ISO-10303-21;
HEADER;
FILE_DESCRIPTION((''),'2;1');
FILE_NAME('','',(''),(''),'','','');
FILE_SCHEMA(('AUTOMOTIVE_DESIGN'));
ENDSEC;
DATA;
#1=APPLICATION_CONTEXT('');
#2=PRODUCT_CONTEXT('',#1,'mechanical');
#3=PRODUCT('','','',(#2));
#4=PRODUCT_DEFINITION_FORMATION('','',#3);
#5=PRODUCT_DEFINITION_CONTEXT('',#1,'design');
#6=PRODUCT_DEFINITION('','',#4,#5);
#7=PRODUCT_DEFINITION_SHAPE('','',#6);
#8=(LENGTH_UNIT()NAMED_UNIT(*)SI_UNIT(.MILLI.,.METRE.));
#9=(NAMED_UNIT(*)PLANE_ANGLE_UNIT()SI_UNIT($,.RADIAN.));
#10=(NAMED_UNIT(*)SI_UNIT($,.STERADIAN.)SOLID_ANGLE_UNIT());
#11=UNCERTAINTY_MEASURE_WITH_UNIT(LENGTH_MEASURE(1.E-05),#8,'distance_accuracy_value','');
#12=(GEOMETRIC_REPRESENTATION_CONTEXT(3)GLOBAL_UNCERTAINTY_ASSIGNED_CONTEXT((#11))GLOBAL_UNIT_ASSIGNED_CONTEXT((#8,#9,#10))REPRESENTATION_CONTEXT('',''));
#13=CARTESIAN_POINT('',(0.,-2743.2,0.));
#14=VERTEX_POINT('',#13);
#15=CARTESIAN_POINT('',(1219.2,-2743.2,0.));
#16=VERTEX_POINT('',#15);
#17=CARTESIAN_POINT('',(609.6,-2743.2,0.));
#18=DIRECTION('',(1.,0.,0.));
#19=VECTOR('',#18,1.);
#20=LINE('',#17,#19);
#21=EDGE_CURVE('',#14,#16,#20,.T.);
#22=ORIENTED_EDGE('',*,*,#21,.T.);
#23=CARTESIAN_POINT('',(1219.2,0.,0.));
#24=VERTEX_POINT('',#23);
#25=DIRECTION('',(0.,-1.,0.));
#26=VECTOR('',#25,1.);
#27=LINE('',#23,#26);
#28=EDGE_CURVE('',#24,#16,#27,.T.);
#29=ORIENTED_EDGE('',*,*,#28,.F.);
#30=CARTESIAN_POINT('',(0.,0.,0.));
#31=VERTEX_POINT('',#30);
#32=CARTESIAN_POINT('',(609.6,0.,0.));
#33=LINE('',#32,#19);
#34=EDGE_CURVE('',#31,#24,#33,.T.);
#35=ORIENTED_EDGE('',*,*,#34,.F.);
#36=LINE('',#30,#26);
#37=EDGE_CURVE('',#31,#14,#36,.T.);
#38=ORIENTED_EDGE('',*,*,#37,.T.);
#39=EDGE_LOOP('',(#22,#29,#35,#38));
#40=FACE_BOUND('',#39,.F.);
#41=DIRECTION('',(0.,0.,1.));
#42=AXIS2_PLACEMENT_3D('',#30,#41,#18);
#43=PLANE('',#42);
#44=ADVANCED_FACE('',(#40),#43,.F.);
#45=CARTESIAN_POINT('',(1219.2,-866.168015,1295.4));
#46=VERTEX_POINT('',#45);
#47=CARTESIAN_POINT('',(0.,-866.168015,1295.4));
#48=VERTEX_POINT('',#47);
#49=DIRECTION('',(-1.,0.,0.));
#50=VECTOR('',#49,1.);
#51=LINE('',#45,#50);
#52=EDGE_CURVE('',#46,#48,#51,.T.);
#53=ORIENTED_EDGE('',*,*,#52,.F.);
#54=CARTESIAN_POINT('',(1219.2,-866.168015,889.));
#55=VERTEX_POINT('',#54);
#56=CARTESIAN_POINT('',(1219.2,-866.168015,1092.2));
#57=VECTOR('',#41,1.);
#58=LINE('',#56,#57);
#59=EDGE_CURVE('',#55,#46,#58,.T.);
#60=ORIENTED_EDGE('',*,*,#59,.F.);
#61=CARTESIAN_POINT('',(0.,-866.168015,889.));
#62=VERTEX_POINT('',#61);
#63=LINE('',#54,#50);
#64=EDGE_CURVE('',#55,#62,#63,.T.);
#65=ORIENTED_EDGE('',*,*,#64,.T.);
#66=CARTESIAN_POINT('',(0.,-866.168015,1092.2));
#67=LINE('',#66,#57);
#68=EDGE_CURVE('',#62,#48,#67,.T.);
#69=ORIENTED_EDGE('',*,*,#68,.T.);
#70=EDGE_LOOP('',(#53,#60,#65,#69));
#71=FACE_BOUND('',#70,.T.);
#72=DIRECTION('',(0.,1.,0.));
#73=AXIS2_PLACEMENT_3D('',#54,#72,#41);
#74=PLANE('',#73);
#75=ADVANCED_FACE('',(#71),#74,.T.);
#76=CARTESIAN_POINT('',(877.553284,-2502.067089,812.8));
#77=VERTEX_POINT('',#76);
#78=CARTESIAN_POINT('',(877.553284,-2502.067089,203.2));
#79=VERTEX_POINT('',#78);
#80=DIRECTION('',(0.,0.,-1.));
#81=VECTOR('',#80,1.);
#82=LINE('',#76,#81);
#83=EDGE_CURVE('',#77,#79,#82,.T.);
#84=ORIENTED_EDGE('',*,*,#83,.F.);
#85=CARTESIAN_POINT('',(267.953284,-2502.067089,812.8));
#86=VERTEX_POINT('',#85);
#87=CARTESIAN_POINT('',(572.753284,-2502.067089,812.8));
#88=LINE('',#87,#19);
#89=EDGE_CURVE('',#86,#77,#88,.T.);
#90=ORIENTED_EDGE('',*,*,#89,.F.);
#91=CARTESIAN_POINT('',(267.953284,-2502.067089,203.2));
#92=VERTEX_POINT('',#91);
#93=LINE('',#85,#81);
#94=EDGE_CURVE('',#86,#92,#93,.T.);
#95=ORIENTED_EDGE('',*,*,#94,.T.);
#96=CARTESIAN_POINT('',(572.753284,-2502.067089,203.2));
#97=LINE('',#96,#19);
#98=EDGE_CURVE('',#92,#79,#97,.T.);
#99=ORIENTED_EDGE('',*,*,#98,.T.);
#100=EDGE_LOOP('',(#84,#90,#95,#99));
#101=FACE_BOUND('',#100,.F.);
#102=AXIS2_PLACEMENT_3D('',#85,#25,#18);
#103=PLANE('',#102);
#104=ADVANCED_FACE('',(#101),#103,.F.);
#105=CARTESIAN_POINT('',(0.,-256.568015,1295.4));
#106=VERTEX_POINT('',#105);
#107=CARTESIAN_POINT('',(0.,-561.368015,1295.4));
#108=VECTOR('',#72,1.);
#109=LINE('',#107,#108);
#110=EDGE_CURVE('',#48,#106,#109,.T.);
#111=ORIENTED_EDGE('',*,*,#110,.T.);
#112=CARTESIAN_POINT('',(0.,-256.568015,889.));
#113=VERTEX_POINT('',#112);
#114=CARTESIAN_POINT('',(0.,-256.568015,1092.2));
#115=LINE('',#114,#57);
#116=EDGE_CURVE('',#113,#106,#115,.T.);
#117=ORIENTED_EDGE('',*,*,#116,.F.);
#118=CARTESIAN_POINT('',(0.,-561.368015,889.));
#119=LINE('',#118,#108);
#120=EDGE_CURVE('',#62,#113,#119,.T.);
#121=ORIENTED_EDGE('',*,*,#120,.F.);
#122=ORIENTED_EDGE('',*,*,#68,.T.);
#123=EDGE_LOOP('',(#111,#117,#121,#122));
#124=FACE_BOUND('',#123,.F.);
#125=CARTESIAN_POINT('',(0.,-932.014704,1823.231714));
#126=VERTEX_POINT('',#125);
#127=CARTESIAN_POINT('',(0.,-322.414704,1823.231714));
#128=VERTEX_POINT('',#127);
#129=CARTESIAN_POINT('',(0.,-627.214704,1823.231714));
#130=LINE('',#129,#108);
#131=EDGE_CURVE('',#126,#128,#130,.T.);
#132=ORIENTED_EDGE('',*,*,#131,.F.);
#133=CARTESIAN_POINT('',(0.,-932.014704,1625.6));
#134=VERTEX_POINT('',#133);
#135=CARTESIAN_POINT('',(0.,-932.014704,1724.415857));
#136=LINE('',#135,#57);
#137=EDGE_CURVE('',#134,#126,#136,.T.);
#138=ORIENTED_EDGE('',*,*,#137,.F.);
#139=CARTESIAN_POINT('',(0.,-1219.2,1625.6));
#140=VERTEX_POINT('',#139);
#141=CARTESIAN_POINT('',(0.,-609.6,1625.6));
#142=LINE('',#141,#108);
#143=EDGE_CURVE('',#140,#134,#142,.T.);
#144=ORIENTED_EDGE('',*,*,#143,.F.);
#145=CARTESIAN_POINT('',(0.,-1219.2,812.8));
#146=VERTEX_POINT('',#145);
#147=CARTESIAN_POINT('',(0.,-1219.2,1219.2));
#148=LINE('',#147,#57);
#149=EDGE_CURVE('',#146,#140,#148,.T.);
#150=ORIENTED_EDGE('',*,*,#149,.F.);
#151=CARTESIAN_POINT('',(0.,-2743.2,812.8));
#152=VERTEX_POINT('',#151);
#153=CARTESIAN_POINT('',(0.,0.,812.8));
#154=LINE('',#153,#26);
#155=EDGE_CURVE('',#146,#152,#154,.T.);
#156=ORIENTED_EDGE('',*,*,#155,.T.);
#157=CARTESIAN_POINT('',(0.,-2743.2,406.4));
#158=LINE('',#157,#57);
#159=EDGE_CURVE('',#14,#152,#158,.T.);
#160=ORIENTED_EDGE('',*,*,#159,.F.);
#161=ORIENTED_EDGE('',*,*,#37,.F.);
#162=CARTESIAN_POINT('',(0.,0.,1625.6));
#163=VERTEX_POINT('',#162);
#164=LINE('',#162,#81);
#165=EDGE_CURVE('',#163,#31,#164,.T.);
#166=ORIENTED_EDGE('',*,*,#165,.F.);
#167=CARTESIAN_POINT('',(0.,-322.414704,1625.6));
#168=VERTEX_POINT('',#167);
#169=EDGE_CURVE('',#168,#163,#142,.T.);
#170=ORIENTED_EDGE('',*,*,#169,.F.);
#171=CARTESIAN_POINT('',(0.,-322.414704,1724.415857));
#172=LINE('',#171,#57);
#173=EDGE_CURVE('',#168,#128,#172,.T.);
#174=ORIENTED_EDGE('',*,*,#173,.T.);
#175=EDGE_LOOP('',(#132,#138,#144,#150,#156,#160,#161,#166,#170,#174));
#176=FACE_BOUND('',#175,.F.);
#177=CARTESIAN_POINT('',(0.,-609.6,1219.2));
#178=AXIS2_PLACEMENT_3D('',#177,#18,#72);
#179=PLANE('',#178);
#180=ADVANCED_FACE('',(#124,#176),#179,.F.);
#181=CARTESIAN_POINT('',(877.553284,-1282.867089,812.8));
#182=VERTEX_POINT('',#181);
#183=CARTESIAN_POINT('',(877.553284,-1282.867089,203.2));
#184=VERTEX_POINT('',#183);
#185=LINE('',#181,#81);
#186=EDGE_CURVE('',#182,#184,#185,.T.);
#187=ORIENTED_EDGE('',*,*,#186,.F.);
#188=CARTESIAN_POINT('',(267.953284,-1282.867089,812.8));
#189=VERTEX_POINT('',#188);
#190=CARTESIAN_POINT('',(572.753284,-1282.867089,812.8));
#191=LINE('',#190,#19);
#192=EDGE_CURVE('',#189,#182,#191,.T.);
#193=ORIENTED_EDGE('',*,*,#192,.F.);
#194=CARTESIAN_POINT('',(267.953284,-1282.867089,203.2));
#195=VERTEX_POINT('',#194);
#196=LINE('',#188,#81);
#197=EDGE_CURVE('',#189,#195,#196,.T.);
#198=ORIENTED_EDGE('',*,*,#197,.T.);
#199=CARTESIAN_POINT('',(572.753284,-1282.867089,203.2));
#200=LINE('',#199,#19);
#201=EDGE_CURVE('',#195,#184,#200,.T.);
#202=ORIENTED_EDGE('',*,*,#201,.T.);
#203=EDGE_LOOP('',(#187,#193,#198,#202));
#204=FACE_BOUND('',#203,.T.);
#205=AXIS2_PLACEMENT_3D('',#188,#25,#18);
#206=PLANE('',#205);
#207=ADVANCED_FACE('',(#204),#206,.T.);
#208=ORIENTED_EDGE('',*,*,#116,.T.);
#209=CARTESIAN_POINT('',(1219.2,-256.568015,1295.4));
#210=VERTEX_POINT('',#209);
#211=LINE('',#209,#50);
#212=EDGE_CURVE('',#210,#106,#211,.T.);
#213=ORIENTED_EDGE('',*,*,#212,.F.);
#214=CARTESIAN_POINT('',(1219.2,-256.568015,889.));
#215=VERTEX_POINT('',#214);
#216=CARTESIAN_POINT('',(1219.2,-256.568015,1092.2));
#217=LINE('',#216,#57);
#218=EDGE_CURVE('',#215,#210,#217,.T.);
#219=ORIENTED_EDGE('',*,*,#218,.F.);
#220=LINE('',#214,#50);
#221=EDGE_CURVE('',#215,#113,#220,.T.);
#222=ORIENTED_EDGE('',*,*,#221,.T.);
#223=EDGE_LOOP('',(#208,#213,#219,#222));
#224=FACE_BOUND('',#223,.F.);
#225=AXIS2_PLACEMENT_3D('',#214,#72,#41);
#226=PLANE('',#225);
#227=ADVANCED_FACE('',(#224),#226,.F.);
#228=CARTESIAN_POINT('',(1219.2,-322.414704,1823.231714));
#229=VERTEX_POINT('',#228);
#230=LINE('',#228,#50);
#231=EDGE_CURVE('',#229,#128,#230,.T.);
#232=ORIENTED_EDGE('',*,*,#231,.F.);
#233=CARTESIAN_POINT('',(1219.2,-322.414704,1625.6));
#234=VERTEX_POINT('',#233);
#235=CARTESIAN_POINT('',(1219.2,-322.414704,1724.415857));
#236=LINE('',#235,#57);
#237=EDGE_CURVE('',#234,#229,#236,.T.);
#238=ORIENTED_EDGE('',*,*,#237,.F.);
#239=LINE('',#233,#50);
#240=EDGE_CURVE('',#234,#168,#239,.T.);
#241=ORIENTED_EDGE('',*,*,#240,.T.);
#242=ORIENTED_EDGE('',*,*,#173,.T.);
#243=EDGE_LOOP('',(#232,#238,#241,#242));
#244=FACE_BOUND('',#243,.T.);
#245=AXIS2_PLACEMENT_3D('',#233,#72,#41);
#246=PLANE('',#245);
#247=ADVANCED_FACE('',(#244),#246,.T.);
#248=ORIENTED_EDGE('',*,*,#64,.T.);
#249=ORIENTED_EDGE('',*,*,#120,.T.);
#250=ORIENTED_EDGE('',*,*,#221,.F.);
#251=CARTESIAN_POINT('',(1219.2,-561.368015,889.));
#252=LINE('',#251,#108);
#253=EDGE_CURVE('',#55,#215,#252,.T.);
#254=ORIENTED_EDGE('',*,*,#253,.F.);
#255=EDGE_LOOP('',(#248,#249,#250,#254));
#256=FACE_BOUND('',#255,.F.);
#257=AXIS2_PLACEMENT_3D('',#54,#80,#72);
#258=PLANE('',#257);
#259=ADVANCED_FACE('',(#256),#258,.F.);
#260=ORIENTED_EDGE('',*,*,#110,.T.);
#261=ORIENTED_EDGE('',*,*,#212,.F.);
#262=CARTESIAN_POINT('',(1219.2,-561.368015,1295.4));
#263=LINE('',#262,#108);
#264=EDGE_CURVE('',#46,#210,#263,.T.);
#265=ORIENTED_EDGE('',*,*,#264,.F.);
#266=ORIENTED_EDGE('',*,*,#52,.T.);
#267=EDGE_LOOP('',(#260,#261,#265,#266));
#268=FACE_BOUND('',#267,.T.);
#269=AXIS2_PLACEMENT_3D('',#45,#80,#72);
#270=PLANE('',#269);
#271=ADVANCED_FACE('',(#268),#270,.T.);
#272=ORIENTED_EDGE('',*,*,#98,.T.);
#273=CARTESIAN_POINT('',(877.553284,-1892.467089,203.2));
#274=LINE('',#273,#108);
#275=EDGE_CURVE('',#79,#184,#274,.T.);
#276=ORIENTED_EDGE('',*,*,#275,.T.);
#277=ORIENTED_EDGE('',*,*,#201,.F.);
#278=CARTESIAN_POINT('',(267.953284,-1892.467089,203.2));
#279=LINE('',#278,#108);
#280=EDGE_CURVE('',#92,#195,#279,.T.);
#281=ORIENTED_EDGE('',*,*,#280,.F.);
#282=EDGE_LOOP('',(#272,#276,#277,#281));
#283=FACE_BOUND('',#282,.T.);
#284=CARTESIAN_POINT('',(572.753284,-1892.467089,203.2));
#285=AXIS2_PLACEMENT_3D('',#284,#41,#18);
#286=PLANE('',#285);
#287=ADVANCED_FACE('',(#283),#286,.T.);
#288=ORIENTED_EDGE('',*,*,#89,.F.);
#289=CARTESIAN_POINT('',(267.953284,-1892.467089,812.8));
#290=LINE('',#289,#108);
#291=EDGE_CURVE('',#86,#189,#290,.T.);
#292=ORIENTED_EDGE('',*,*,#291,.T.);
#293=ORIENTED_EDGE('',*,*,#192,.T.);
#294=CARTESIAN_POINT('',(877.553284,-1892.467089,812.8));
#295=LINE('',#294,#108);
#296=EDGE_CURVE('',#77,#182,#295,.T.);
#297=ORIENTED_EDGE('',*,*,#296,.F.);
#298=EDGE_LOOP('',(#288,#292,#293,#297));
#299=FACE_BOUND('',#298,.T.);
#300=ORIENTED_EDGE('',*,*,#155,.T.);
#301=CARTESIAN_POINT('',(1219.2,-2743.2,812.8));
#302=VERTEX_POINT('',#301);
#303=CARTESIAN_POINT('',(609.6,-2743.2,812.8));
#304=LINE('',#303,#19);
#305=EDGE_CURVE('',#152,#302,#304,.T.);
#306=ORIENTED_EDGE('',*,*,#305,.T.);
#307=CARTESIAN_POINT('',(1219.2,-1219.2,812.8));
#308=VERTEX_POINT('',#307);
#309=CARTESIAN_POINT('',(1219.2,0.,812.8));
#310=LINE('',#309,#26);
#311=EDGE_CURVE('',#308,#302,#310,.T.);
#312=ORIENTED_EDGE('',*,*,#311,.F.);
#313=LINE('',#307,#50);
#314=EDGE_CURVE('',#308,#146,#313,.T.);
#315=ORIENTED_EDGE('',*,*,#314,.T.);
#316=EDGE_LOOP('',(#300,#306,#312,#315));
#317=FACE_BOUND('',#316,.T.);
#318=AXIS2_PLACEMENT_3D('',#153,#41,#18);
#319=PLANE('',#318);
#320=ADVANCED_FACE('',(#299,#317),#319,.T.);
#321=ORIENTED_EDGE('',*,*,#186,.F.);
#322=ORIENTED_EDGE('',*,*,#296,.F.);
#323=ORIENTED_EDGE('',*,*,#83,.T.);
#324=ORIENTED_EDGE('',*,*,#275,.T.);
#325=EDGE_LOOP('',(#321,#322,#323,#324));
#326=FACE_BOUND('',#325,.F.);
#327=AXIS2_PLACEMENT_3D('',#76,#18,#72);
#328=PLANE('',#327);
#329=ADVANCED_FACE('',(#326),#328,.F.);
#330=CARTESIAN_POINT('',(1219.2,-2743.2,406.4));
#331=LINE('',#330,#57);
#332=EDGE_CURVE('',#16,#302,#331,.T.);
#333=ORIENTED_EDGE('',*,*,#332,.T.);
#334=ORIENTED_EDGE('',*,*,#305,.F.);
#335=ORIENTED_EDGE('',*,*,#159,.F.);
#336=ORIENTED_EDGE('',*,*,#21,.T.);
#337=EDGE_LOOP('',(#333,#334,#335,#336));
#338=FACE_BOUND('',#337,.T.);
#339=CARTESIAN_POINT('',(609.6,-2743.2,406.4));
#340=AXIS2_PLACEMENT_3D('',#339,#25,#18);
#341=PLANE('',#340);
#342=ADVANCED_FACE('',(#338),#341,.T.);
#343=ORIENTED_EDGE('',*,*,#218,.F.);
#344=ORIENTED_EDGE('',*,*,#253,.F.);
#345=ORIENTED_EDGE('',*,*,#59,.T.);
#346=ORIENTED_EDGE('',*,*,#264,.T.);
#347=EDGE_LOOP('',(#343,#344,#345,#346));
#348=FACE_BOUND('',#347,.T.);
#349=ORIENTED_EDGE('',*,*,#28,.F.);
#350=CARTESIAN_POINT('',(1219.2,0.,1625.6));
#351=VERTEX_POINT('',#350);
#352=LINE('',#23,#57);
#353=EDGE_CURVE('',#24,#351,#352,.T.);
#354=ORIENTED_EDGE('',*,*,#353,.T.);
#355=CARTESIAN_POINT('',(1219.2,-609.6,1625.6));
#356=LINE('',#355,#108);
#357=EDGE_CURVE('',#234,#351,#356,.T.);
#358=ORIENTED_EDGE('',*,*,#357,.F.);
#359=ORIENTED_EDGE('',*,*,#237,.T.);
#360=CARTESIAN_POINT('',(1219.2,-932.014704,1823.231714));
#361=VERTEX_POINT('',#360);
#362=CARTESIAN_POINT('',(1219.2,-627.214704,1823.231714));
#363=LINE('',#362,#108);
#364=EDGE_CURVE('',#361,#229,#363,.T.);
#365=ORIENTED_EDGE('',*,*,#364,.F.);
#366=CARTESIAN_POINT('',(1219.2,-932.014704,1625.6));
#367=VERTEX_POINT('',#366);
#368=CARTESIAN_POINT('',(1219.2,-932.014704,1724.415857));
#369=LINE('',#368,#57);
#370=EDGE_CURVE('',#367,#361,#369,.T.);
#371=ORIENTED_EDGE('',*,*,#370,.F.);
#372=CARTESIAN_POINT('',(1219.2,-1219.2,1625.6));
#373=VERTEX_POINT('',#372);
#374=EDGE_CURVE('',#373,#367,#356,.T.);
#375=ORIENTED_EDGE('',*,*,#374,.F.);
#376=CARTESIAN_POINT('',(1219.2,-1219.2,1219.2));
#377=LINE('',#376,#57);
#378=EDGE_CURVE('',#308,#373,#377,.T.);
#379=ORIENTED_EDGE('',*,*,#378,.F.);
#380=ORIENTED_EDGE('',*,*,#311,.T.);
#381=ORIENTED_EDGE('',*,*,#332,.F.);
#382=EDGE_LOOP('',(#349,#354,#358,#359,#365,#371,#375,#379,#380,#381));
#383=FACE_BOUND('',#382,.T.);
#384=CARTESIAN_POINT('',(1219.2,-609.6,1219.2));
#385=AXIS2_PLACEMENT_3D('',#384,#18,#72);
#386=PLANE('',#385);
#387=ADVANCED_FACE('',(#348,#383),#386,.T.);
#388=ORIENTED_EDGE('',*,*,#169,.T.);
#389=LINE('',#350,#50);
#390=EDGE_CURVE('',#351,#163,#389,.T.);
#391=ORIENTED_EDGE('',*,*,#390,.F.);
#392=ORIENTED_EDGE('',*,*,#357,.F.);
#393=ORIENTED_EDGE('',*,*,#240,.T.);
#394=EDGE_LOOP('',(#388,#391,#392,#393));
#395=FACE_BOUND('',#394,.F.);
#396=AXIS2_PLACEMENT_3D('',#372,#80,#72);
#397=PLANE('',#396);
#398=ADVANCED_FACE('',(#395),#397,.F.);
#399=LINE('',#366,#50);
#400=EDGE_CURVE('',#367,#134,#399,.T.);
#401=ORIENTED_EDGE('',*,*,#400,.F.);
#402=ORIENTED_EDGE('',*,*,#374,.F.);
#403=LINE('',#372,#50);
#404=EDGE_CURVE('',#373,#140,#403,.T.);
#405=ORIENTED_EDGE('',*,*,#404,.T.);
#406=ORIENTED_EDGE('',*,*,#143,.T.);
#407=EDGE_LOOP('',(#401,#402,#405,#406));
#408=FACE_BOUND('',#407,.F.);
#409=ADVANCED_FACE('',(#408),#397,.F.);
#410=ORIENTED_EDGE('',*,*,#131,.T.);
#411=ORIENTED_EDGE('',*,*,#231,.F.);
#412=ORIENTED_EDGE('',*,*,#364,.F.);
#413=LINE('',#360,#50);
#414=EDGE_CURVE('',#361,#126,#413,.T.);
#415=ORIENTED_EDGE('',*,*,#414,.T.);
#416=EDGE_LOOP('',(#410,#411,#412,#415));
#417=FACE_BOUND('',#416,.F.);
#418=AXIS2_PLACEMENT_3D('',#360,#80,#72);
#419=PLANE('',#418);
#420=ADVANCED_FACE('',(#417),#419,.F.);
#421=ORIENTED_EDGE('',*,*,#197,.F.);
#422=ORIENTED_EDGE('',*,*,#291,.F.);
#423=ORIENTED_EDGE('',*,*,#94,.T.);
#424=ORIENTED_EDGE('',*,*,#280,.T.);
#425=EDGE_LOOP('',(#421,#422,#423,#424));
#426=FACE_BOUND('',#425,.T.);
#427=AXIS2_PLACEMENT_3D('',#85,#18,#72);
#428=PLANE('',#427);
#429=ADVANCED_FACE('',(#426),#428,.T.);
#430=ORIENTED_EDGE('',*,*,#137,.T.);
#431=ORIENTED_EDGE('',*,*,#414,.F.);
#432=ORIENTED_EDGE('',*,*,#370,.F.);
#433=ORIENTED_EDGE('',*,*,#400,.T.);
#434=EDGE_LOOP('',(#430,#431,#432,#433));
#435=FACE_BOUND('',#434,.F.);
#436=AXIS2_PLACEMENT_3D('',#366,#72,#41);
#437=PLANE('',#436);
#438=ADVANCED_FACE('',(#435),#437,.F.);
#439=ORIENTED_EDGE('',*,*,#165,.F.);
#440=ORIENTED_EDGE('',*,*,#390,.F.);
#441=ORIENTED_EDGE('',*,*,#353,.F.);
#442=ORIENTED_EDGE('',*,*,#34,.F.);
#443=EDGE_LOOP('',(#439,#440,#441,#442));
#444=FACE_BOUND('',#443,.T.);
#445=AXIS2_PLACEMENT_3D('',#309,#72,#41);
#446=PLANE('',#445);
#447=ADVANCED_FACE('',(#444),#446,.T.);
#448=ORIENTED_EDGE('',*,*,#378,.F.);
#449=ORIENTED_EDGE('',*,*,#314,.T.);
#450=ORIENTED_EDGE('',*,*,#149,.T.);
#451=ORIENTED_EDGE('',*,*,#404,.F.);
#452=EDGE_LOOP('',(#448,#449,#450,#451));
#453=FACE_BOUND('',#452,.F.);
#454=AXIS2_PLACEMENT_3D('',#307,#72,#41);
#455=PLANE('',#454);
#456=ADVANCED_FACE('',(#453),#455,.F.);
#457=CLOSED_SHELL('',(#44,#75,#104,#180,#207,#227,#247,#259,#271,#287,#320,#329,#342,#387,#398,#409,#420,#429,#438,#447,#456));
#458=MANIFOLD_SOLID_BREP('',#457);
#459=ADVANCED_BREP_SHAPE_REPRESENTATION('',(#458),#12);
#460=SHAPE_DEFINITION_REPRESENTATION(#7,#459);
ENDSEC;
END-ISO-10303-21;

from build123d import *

# Parameters (mm, degrees)
F0_W      = 1219.2
F0_H      = 812.8
F1_DEPTH  = 2743.2
F2_W      = 1219.2
F2_H      = 812.8
F3_DEPTH  = 1219.2
F5_W      = 609.6
F5_H      = 197.6317144394
F6_DEPTH  = 1219.2
F7_W      = 609.6
F7_H      = 406.4
F8_DEPTH  = 1219.2
F9_W      = 609.6
F9_H      = 1219.2
F10_DEPTH = 609.6


with BuildPart() as f1:
    # F0 (on Front) → F1 (new body)
    with BuildSketch(Plane.XZ):
        with Locations((609.6, 406.4)):
            Rectangle(F0_W, F0_H)
    extrude(amount=F1_DEPTH)

    # F2 (on face) → F3 (join)
    with BuildSketch(Plane.YZ.offset(1219.2)):
        with Locations((-609.6, 1219.2)):
            Rectangle(F2_W, F2_H)
    extrude(amount=-F3_DEPTH)

    # F5 (on face) → F6 (join)
    with BuildSketch(Plane.YZ.offset(1219.2)):
        with Locations((-627.2147037506, 1724.4158572197)):
            Rectangle(F5_W, F5_H)
    extrude(amount=-F6_DEPTH)

    # F7 (on face) → F8 (cut)
    with BuildSketch(Plane.YZ.offset(1219.2)):
        with Locations((-561.3680146217, 1092.2)):
            Rectangle(F7_W, F7_H)
    extrude(amount=-F8_DEPTH, mode=Mode.SUBTRACT)

    # F9 (on face) → F10 (cut)
    with BuildSketch(Plane.XY.offset(812.8)):
        with Locations((572.7532841682, -1892.4670890808)):
            Rectangle(F9_W, F9_H)
    extrude(amount=-F10_DEPTH, mode=Mode.SUBTRACT)


solid = f1.part
